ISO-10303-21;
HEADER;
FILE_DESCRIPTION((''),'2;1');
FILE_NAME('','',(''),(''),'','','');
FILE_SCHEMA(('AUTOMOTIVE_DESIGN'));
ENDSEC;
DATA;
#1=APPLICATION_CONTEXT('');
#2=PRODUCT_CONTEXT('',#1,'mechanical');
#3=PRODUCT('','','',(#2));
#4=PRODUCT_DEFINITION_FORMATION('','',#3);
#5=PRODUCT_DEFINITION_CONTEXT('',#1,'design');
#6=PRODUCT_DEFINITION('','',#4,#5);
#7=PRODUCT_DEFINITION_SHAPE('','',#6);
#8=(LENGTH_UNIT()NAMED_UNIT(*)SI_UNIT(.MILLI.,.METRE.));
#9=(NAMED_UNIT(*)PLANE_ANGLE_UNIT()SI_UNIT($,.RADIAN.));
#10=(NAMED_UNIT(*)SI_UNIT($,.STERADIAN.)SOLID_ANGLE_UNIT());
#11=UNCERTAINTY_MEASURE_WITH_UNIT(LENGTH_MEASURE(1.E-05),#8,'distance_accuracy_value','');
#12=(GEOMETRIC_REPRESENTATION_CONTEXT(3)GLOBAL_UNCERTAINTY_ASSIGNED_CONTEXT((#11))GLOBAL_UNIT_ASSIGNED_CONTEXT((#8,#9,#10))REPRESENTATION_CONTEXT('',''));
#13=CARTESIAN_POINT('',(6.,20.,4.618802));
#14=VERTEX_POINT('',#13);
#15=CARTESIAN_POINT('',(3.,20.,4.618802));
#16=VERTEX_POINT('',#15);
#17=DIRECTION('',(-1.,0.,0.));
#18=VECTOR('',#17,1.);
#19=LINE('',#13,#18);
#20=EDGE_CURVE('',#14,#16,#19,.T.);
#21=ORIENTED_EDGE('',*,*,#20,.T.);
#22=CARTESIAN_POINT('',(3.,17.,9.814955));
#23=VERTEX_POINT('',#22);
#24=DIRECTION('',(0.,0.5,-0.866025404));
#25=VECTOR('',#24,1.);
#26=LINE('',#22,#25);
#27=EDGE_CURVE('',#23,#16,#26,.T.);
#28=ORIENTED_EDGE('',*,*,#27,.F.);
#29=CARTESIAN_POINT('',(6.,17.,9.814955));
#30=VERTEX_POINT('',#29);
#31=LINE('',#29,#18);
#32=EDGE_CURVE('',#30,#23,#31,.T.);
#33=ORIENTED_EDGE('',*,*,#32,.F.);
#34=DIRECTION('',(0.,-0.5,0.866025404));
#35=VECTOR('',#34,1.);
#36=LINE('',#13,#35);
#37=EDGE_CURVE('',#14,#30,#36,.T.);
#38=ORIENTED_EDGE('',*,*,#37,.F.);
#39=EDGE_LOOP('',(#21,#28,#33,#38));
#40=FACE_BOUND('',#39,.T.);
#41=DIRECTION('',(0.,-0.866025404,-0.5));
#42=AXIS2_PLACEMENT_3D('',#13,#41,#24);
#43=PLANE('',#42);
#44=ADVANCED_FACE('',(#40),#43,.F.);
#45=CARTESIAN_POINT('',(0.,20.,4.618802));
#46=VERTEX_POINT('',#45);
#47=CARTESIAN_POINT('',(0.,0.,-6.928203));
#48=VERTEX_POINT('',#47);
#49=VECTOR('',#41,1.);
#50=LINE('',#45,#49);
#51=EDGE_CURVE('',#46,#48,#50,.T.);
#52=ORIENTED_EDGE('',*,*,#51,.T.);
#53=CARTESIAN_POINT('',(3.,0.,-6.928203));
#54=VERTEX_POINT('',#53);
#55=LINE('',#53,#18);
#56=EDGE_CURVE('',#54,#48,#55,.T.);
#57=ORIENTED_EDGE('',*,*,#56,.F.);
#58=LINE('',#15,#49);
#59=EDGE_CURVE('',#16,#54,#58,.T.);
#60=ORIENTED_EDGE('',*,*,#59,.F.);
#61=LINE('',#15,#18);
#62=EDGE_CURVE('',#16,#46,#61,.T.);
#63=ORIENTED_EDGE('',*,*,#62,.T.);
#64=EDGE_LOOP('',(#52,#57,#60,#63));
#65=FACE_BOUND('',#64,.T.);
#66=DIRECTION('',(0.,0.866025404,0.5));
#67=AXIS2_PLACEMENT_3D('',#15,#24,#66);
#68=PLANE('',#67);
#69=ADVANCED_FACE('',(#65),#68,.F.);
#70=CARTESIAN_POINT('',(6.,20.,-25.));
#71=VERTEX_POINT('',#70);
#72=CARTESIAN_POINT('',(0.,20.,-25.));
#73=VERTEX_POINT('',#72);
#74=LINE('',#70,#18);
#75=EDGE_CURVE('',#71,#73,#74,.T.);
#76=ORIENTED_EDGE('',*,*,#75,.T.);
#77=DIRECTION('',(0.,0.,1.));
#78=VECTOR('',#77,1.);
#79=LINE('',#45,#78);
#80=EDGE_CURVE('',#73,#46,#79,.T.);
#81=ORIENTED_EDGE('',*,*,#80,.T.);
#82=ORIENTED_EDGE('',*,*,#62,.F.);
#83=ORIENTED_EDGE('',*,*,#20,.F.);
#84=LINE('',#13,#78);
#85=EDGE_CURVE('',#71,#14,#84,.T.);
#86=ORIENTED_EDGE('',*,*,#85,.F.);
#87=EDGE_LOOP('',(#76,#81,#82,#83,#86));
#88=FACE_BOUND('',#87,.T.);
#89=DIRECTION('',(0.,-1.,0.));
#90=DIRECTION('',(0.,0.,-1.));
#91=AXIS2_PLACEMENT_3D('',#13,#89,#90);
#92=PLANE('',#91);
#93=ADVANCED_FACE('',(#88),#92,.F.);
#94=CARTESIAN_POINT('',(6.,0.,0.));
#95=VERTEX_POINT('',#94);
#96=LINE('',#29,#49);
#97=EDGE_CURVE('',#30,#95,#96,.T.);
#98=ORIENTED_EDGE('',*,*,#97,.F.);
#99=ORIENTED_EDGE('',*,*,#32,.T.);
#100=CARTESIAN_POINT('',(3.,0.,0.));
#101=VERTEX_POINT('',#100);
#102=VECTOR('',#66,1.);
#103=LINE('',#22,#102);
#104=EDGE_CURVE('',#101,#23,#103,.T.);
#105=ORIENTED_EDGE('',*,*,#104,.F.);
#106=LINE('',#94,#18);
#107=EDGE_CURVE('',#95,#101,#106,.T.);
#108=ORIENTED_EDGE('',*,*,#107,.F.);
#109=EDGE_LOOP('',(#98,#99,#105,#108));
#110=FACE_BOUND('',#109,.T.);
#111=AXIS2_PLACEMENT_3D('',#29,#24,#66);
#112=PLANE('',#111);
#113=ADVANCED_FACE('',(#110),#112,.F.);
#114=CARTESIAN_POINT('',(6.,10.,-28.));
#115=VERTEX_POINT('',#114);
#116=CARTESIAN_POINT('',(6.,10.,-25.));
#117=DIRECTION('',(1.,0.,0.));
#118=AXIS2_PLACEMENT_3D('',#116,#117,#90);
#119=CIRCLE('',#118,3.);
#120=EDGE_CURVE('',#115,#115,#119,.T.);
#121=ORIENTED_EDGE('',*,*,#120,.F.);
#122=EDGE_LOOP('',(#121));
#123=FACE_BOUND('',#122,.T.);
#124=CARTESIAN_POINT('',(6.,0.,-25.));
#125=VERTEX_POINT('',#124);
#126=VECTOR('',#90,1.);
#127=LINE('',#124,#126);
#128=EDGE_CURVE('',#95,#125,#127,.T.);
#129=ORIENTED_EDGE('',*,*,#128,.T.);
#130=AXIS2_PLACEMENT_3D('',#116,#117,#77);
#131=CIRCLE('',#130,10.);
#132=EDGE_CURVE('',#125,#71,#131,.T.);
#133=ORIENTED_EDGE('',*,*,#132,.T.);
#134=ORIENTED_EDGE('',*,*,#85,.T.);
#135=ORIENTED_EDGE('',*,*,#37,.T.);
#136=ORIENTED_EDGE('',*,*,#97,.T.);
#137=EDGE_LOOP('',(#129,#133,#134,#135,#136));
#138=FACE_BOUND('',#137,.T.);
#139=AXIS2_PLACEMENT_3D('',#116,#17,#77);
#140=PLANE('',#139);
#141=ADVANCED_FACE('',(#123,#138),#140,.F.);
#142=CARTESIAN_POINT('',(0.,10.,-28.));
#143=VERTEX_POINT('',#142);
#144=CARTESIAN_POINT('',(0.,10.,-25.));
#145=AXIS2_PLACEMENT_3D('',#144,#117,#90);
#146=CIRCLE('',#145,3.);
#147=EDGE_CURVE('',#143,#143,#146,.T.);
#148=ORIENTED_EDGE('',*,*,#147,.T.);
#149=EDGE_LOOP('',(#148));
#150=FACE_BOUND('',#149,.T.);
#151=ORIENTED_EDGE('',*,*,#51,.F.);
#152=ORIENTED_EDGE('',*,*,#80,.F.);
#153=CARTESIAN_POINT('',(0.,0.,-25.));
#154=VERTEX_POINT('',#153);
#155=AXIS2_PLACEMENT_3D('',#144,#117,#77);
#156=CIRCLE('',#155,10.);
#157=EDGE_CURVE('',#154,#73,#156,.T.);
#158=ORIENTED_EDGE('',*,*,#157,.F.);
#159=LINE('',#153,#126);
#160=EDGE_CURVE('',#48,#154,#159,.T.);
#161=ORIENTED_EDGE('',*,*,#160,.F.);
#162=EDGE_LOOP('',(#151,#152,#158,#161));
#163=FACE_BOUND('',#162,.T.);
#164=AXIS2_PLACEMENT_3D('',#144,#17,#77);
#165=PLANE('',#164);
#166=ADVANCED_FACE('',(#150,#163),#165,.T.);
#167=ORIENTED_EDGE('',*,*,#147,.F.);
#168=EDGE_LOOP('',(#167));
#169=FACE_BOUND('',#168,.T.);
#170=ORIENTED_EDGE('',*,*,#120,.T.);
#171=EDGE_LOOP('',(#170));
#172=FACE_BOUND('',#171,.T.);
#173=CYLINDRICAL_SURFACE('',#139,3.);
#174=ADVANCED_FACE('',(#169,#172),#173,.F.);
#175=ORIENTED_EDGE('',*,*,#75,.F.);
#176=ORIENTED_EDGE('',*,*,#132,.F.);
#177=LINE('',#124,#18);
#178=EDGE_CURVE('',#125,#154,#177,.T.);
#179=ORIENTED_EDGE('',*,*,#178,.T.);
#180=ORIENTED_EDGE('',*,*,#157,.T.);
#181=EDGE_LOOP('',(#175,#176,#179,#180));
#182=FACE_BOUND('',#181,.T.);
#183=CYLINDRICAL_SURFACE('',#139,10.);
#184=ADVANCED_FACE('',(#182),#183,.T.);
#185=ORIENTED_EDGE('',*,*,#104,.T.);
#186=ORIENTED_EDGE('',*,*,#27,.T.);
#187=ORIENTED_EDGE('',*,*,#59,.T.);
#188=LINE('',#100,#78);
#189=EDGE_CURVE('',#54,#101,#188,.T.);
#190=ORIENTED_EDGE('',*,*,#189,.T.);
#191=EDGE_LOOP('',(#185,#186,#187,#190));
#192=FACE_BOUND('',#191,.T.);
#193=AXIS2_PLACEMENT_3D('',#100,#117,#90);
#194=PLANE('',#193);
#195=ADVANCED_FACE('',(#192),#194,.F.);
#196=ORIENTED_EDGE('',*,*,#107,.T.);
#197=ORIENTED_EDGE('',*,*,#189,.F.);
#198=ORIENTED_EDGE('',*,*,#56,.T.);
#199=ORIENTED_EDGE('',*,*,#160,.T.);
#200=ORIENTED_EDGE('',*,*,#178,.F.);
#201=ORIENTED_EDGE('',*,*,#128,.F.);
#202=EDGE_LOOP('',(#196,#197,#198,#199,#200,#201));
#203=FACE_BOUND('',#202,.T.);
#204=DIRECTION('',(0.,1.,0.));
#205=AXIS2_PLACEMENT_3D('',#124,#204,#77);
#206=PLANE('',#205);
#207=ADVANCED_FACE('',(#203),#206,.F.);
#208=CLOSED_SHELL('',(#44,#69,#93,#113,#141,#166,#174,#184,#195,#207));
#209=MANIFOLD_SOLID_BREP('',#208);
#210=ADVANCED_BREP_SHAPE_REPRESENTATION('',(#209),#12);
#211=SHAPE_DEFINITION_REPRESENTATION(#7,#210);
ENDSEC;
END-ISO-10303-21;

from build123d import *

# Parameters (mm, degrees)
SKETCH1_R           = 3
BOSS_EXTRUDE1_DEPTH = 6
CUT_EXTRUDE1_DEPTH  = 3


with BuildPart() as part:
    # Sketch1 → Boss-Extrude1 (new body)
    with BuildSketch(Plane(origin=(0, 0, 0), x_dir=(0, 0, -1), z_dir=(1, 0, 0))):
        with BuildLine():
            Line((-4.618802154, 20), (-9.814954576, 17))
            Line((-9.814954576, 17), (0, 0))
            Line((0, 0), (25, 0))
            ThreePointArc((25, 0), (35, 10), (25, 20))
            Line((25, 20), (-4.618802154, 20))
        make_face()
        with Locations((25, 10)):
            Circle(SKETCH1_R, mode=Mode.SUBTRACT)
    extrude(amount=BOSS_EXTRUDE1_DEPTH)

    # Sketch2 → Cut-Extrude1 (cut)
    with BuildSketch(Plane.ZY):
        Polygon((9.814954576, 17), (4.618802154, 20), (-6.92820323, 0), (0, 0), align=None)
    extrude(amount=-CUT_EXTRUDE1_DEPTH, mode=Mode.SUBTRACT)


solid = part.part
